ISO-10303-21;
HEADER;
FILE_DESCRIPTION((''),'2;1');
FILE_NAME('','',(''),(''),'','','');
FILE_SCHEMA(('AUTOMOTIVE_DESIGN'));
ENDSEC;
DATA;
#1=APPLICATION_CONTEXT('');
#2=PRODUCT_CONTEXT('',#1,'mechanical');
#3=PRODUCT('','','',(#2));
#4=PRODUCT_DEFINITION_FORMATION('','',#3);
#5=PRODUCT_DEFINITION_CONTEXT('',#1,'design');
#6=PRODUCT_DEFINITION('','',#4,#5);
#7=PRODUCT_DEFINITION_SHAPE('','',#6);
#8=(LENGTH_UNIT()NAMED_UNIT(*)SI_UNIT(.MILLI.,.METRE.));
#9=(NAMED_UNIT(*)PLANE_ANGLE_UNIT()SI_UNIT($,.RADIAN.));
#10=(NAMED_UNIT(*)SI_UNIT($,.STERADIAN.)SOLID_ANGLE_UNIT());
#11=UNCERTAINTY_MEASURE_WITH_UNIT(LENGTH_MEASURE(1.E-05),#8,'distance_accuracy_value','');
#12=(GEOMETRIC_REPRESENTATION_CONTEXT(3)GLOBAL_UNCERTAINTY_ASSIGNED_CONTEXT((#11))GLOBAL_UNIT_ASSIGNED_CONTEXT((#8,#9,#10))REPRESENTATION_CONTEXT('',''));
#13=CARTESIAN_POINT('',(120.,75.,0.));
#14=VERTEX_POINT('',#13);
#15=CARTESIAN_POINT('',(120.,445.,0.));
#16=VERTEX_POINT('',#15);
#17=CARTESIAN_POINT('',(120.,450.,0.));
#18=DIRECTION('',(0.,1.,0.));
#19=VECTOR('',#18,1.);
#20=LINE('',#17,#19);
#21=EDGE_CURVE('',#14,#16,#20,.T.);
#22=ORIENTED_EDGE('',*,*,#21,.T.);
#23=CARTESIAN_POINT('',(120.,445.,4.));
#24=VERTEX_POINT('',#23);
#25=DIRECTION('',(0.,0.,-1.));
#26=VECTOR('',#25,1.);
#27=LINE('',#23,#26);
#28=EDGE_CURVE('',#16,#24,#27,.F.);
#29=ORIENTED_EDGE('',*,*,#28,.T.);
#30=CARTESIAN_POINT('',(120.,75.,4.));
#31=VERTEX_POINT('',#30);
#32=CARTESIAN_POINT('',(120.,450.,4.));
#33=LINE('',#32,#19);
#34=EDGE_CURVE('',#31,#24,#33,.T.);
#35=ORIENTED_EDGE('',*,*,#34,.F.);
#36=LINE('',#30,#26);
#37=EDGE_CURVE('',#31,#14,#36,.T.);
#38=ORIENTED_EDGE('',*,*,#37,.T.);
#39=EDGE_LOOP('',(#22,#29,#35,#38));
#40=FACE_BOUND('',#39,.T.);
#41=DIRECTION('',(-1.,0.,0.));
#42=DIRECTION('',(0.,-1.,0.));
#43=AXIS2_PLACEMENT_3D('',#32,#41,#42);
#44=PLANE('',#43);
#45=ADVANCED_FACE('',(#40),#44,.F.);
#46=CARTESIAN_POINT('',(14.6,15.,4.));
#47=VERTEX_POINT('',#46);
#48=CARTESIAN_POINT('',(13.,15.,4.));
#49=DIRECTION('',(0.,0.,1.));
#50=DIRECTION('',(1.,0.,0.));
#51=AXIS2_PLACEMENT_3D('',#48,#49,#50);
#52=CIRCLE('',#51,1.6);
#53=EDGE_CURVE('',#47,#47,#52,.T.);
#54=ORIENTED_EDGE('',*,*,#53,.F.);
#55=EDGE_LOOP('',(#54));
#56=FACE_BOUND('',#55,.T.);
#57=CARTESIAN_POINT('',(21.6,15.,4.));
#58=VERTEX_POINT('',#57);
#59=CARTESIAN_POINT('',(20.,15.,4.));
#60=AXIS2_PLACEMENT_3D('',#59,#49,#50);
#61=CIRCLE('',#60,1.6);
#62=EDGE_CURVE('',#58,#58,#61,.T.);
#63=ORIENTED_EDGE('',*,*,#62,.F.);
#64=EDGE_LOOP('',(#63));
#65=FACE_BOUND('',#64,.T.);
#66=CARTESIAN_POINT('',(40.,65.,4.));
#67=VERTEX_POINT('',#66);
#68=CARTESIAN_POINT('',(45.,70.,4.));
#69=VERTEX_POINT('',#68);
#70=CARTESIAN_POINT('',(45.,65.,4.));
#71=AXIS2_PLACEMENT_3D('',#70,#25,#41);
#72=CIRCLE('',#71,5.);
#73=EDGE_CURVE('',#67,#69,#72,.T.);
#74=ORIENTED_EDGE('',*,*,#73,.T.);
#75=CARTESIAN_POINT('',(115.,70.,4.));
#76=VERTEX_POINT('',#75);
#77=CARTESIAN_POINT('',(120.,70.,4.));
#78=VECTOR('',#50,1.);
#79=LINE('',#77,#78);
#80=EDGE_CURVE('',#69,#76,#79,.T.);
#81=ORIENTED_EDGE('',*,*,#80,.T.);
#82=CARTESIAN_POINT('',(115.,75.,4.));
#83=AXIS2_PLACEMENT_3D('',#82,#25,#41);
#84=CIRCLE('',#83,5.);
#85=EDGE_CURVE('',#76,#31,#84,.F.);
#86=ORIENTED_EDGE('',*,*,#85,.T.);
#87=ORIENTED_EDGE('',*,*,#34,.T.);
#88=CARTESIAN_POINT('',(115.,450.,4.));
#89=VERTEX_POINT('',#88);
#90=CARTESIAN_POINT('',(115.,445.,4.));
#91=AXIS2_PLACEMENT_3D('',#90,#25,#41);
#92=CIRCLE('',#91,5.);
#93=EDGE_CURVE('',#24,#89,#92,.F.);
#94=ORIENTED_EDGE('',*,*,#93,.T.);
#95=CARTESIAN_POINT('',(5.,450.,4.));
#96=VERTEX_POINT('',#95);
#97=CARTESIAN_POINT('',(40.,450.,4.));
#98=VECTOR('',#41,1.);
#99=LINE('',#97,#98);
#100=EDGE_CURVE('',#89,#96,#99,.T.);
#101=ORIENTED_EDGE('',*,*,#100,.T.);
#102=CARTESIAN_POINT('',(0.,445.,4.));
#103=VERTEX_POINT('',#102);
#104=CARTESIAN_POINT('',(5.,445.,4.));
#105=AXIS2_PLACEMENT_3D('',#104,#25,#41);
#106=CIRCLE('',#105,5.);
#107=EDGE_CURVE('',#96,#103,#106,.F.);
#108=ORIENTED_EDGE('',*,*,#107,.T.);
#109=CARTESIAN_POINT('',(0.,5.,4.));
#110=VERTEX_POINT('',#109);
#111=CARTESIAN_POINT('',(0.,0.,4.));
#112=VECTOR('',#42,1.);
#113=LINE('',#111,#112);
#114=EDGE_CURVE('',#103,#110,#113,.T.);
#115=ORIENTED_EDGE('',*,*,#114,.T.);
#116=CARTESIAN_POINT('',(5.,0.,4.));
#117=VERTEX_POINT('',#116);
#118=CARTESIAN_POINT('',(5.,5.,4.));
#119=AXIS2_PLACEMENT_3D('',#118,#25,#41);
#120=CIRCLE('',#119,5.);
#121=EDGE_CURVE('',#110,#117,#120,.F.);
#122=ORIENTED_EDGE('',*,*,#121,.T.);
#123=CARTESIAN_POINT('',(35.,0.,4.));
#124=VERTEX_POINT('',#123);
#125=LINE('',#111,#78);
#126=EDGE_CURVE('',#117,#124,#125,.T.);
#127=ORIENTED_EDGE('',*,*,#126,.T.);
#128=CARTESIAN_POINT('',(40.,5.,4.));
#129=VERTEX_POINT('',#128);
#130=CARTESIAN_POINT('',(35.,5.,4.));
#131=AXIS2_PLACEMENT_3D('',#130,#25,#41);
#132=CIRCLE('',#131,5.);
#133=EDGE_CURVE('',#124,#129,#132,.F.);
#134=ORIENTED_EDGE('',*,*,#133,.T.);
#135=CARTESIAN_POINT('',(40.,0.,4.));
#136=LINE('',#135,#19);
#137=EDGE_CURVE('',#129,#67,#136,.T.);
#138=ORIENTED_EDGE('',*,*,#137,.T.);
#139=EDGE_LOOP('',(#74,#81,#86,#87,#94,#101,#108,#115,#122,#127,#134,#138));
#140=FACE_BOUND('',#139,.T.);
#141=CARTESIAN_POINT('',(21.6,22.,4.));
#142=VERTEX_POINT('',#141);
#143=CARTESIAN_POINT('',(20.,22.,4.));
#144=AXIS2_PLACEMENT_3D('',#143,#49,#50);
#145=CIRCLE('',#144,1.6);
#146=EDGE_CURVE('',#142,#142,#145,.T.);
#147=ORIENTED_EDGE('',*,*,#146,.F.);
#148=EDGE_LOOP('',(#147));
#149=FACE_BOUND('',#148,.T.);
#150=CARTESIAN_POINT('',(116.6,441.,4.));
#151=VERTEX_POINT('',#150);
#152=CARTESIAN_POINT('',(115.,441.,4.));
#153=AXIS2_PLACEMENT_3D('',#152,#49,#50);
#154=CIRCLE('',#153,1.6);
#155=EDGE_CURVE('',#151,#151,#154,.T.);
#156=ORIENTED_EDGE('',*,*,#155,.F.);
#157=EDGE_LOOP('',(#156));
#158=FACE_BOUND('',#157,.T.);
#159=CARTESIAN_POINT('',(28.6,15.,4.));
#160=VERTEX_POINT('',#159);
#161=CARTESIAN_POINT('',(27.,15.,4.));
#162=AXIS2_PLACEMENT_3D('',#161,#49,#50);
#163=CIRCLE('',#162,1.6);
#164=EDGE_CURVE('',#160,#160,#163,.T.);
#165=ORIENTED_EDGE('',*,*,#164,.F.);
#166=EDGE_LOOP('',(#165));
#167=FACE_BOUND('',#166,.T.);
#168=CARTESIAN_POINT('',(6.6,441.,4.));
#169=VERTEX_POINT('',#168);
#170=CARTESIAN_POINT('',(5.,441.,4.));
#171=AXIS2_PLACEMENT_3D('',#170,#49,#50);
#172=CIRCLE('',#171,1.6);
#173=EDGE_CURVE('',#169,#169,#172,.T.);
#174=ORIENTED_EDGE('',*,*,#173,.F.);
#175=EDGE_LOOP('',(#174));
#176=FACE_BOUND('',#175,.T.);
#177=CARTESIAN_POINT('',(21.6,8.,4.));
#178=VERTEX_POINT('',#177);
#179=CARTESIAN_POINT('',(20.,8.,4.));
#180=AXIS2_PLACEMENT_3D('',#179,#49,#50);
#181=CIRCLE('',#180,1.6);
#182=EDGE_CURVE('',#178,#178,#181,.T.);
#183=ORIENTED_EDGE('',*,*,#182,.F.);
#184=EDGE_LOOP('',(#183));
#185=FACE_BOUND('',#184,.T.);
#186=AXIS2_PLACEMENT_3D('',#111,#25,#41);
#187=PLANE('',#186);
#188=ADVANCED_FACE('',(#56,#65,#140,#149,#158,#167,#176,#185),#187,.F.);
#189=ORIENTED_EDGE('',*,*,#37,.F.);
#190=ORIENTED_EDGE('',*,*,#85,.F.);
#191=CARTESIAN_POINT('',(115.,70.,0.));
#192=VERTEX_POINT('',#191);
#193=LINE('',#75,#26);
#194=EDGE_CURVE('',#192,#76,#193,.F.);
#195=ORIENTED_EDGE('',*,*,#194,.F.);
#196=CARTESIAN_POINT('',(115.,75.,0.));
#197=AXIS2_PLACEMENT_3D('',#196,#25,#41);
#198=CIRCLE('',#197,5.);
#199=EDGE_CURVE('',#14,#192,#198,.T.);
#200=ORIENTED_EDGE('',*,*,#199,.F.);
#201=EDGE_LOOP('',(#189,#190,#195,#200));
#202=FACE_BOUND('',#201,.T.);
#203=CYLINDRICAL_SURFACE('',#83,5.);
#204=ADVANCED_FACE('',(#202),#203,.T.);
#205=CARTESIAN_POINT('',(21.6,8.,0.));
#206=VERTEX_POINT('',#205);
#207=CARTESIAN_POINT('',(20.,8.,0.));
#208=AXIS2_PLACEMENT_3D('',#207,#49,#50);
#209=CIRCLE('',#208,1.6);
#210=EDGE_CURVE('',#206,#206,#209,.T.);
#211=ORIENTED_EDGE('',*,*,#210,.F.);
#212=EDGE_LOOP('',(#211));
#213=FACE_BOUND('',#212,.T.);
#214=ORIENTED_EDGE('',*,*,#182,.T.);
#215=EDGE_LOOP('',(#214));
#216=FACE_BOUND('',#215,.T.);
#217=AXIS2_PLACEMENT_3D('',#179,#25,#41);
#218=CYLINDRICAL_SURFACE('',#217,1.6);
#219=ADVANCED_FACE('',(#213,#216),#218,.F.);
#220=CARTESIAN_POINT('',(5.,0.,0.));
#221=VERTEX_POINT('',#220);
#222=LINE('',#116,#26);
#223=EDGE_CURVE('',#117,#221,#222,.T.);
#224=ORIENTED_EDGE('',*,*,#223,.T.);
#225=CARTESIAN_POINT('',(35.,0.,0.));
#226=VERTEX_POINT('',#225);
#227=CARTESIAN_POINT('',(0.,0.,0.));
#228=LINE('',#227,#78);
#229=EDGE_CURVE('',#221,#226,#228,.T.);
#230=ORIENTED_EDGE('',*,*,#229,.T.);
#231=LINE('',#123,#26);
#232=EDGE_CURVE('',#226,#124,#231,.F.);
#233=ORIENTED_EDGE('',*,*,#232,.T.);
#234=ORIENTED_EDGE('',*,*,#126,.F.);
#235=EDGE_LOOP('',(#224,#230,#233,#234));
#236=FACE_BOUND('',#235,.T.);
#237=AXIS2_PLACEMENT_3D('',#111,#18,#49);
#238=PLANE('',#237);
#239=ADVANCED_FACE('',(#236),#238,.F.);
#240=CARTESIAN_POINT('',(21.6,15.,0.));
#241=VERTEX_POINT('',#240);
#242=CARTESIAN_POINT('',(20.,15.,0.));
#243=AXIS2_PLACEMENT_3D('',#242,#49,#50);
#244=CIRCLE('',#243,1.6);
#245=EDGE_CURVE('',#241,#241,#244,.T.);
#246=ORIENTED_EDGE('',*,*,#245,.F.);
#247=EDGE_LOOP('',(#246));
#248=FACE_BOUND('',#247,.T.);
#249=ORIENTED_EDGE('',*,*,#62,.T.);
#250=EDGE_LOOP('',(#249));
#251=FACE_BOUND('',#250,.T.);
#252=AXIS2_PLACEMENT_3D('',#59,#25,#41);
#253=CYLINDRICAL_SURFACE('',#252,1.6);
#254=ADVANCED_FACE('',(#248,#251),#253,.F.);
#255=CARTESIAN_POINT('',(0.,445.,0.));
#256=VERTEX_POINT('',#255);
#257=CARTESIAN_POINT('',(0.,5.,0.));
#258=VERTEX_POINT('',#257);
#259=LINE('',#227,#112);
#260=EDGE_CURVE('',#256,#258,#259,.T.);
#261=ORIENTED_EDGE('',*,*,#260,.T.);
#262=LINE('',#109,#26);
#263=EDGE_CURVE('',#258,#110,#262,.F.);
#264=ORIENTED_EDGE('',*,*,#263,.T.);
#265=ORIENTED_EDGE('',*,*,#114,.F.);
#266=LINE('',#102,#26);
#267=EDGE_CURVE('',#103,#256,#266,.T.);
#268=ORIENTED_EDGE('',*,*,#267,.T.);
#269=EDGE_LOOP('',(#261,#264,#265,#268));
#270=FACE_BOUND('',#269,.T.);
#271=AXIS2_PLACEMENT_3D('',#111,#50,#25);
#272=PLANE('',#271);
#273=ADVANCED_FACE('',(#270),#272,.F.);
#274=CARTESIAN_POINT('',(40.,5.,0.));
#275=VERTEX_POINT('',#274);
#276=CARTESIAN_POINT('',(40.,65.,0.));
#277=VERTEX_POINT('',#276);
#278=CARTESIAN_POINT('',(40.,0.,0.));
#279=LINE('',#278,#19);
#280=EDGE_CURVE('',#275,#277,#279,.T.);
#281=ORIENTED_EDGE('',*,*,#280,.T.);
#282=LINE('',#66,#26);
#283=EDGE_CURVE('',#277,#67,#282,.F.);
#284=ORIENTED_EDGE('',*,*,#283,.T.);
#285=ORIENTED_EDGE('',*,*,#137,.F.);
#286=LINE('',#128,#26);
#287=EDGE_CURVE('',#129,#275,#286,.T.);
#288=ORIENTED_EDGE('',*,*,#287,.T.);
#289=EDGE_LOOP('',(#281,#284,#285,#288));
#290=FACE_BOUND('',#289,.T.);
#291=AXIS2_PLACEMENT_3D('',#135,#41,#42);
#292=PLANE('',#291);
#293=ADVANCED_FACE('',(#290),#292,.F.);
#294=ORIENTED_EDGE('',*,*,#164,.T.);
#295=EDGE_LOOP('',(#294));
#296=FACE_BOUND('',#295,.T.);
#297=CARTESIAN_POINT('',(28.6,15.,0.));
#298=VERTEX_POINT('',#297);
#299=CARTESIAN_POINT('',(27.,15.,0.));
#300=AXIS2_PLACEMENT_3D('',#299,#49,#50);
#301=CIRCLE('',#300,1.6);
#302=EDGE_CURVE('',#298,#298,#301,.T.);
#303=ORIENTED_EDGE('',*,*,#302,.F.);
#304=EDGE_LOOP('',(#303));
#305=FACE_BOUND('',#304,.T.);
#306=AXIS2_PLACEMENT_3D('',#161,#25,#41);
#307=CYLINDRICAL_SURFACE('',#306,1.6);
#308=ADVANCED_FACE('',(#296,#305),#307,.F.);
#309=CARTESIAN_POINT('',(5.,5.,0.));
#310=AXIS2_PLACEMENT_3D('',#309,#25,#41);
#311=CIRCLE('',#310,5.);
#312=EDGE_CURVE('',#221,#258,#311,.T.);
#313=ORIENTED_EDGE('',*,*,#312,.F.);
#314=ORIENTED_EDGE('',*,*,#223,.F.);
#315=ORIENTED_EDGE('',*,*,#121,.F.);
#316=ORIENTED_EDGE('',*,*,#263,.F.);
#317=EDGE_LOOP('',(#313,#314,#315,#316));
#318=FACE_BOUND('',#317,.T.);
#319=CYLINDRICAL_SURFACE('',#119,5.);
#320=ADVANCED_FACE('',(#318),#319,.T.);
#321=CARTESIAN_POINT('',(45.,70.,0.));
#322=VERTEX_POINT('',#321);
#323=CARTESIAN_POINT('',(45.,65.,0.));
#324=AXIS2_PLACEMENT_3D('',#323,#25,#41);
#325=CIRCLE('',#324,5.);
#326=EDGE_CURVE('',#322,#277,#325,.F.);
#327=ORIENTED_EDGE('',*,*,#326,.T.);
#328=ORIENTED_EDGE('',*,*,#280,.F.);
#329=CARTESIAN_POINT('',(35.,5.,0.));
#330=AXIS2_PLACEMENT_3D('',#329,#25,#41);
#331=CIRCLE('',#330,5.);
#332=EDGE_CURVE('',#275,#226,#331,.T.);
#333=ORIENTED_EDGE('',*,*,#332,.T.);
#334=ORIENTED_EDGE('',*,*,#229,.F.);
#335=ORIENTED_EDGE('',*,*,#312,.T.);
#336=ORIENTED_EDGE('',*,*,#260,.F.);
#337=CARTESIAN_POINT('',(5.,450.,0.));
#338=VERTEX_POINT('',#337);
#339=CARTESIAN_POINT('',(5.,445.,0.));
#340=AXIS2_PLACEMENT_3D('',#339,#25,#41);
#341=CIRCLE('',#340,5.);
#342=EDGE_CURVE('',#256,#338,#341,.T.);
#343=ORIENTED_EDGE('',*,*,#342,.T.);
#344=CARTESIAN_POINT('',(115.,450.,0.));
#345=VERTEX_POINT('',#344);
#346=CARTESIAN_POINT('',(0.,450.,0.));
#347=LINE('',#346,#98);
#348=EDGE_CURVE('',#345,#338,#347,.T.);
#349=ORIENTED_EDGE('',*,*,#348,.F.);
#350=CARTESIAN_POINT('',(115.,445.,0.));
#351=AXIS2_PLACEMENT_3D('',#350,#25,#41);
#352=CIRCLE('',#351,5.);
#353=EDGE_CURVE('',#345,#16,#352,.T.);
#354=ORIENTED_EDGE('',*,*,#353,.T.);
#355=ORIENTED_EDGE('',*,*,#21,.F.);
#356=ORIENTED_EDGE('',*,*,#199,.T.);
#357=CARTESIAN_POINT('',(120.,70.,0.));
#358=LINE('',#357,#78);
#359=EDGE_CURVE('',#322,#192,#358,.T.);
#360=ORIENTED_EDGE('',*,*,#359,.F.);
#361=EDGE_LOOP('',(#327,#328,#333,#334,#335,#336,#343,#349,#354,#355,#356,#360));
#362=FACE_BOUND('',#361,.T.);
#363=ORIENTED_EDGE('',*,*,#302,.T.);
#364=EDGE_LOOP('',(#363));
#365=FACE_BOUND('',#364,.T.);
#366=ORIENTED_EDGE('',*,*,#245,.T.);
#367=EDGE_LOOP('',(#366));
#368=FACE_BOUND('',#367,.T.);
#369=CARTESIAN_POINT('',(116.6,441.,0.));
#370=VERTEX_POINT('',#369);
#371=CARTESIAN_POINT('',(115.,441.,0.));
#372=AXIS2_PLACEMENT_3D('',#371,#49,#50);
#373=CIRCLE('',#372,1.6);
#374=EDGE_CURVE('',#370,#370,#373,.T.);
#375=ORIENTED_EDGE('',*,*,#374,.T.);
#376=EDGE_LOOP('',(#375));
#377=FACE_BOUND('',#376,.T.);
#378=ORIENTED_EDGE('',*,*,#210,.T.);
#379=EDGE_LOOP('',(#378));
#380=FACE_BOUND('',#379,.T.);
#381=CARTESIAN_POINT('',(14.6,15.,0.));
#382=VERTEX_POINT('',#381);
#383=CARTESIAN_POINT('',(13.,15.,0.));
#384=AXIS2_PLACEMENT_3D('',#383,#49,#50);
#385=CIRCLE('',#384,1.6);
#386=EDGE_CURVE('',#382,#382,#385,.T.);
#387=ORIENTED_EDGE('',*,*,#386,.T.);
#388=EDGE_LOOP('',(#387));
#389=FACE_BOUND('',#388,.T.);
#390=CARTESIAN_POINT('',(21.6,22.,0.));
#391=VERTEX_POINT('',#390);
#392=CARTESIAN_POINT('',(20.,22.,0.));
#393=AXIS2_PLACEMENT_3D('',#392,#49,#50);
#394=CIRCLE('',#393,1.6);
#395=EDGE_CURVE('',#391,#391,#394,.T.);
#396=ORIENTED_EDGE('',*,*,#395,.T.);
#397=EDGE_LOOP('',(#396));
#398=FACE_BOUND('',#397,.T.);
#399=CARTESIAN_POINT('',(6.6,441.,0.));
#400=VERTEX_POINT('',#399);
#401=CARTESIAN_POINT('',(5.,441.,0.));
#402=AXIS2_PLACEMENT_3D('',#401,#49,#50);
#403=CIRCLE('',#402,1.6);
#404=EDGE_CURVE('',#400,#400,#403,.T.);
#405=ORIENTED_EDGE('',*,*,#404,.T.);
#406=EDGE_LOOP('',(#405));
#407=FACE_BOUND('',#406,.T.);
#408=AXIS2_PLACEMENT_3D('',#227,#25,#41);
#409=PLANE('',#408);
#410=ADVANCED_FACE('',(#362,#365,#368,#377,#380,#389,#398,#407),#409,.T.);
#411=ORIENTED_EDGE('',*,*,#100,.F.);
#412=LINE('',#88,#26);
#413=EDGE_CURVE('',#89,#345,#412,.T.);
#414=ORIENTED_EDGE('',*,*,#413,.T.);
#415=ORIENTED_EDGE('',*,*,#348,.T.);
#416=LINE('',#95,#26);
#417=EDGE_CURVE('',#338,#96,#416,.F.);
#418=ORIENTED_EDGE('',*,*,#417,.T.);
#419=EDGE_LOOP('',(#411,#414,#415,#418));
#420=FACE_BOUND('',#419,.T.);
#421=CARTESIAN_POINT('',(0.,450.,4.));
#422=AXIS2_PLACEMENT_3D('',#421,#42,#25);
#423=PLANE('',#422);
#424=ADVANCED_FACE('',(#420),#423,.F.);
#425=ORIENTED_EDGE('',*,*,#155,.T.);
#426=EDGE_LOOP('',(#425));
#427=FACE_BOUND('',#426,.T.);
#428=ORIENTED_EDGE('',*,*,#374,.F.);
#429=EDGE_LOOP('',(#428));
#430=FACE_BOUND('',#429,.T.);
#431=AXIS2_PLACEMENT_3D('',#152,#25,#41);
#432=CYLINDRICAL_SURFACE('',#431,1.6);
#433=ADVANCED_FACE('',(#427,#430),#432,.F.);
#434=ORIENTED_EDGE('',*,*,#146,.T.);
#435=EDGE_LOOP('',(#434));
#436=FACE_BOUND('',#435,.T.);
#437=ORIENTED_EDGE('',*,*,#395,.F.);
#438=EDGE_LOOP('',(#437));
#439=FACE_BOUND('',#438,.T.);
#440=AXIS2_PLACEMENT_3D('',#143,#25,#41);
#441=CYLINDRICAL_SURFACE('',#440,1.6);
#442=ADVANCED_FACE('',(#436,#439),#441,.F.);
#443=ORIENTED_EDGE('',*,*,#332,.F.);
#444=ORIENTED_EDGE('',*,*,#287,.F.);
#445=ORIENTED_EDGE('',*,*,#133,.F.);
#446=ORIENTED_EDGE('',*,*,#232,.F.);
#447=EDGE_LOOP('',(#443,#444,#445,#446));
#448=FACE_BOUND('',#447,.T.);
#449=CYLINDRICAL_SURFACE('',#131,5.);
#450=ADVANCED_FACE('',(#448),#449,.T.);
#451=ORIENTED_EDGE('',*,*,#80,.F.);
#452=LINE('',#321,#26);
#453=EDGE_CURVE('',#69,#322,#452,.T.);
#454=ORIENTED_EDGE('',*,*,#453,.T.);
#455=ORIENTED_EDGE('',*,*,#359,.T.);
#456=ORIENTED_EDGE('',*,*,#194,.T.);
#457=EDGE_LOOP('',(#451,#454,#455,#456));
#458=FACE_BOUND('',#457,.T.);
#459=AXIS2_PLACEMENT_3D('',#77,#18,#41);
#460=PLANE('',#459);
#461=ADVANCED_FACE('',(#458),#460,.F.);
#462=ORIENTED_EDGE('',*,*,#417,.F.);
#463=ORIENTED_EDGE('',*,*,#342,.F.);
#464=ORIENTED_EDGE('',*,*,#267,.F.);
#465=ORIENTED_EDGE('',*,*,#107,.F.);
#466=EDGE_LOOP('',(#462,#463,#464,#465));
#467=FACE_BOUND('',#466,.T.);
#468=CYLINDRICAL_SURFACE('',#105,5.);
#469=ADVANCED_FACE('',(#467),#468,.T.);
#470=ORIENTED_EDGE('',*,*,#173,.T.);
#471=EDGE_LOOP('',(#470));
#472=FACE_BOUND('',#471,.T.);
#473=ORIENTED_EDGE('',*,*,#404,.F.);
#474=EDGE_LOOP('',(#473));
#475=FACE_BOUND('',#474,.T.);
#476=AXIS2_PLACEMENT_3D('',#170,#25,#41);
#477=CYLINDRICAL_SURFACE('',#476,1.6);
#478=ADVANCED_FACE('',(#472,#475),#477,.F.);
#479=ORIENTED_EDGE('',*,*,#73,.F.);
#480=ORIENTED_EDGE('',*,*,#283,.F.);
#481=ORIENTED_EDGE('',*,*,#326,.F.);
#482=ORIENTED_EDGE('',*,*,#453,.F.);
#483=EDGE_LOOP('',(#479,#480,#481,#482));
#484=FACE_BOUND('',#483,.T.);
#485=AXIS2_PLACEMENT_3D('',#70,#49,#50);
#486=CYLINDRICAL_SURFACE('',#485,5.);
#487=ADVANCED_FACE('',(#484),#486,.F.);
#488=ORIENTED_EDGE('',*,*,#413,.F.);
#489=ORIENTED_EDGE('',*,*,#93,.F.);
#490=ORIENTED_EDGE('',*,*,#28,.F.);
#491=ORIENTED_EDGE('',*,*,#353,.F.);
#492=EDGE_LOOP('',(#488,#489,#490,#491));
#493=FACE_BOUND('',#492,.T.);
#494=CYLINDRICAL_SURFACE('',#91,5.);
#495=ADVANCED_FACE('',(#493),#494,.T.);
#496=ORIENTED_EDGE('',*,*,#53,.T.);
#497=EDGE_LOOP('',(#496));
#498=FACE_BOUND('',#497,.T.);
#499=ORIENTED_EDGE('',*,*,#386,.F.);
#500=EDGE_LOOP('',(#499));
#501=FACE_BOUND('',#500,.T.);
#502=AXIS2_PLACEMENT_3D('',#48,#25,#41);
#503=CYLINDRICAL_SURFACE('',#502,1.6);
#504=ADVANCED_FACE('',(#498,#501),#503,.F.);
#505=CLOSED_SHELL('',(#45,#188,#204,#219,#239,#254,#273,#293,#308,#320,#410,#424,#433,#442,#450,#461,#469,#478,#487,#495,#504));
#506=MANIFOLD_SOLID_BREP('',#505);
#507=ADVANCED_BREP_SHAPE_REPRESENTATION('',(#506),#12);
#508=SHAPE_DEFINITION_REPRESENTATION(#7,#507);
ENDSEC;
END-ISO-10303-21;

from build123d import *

# Parameters (mm, degrees)
SKETCH_2_R      = 1.6
EXTRUDE_1_DEPTH = 4
FILLET_1_R      = 5


with BuildPart() as part:
    # 草图2 → 凸台-拉伸1 (new body)
    with BuildSketch(Plane.XY):
        Polygon((0, 0), (40, 0), (40, 70), (120, 70), (120, 450), (40, 450), (0, 450), align=None)
        with Locations((20, 8)):
            Circle(SKETCH_2_R, mode=Mode.SUBTRACT)
        with Locations((20, 22)):
            Circle(SKETCH_2_R, mode=Mode.SUBTRACT)
        with Locations((27, 15)):
            Circle(SKETCH_2_R, mode=Mode.SUBTRACT)
        with Locations((13, 15)):
            Circle(SKETCH_2_R, mode=Mode.SUBTRACT)
        with Locations((20, 15)):
            Circle(SKETCH_2_R, mode=Mode.SUBTRACT)
        with Locations((115, 441)):
            Circle(SKETCH_2_R, mode=Mode.SUBTRACT)
        with Locations((5, 441)):
            Circle(SKETCH_2_R, mode=Mode.SUBTRACT)
    extrude(amount=EXTRUDE_1_DEPTH)

    # 圆角1
    fillet_1_edges = [part.edges().sort_by_distance(p)[0] for p in [
        (0, 450, 2),
        (120, 450, 2),
        (120, 70, 2),
        (40, 70, 2),
        (40, 0, 2),
        (0, 0, 2),
    ]]
    fillet(fillet_1_edges, radius=FILLET_1_R)


solid = part.part
